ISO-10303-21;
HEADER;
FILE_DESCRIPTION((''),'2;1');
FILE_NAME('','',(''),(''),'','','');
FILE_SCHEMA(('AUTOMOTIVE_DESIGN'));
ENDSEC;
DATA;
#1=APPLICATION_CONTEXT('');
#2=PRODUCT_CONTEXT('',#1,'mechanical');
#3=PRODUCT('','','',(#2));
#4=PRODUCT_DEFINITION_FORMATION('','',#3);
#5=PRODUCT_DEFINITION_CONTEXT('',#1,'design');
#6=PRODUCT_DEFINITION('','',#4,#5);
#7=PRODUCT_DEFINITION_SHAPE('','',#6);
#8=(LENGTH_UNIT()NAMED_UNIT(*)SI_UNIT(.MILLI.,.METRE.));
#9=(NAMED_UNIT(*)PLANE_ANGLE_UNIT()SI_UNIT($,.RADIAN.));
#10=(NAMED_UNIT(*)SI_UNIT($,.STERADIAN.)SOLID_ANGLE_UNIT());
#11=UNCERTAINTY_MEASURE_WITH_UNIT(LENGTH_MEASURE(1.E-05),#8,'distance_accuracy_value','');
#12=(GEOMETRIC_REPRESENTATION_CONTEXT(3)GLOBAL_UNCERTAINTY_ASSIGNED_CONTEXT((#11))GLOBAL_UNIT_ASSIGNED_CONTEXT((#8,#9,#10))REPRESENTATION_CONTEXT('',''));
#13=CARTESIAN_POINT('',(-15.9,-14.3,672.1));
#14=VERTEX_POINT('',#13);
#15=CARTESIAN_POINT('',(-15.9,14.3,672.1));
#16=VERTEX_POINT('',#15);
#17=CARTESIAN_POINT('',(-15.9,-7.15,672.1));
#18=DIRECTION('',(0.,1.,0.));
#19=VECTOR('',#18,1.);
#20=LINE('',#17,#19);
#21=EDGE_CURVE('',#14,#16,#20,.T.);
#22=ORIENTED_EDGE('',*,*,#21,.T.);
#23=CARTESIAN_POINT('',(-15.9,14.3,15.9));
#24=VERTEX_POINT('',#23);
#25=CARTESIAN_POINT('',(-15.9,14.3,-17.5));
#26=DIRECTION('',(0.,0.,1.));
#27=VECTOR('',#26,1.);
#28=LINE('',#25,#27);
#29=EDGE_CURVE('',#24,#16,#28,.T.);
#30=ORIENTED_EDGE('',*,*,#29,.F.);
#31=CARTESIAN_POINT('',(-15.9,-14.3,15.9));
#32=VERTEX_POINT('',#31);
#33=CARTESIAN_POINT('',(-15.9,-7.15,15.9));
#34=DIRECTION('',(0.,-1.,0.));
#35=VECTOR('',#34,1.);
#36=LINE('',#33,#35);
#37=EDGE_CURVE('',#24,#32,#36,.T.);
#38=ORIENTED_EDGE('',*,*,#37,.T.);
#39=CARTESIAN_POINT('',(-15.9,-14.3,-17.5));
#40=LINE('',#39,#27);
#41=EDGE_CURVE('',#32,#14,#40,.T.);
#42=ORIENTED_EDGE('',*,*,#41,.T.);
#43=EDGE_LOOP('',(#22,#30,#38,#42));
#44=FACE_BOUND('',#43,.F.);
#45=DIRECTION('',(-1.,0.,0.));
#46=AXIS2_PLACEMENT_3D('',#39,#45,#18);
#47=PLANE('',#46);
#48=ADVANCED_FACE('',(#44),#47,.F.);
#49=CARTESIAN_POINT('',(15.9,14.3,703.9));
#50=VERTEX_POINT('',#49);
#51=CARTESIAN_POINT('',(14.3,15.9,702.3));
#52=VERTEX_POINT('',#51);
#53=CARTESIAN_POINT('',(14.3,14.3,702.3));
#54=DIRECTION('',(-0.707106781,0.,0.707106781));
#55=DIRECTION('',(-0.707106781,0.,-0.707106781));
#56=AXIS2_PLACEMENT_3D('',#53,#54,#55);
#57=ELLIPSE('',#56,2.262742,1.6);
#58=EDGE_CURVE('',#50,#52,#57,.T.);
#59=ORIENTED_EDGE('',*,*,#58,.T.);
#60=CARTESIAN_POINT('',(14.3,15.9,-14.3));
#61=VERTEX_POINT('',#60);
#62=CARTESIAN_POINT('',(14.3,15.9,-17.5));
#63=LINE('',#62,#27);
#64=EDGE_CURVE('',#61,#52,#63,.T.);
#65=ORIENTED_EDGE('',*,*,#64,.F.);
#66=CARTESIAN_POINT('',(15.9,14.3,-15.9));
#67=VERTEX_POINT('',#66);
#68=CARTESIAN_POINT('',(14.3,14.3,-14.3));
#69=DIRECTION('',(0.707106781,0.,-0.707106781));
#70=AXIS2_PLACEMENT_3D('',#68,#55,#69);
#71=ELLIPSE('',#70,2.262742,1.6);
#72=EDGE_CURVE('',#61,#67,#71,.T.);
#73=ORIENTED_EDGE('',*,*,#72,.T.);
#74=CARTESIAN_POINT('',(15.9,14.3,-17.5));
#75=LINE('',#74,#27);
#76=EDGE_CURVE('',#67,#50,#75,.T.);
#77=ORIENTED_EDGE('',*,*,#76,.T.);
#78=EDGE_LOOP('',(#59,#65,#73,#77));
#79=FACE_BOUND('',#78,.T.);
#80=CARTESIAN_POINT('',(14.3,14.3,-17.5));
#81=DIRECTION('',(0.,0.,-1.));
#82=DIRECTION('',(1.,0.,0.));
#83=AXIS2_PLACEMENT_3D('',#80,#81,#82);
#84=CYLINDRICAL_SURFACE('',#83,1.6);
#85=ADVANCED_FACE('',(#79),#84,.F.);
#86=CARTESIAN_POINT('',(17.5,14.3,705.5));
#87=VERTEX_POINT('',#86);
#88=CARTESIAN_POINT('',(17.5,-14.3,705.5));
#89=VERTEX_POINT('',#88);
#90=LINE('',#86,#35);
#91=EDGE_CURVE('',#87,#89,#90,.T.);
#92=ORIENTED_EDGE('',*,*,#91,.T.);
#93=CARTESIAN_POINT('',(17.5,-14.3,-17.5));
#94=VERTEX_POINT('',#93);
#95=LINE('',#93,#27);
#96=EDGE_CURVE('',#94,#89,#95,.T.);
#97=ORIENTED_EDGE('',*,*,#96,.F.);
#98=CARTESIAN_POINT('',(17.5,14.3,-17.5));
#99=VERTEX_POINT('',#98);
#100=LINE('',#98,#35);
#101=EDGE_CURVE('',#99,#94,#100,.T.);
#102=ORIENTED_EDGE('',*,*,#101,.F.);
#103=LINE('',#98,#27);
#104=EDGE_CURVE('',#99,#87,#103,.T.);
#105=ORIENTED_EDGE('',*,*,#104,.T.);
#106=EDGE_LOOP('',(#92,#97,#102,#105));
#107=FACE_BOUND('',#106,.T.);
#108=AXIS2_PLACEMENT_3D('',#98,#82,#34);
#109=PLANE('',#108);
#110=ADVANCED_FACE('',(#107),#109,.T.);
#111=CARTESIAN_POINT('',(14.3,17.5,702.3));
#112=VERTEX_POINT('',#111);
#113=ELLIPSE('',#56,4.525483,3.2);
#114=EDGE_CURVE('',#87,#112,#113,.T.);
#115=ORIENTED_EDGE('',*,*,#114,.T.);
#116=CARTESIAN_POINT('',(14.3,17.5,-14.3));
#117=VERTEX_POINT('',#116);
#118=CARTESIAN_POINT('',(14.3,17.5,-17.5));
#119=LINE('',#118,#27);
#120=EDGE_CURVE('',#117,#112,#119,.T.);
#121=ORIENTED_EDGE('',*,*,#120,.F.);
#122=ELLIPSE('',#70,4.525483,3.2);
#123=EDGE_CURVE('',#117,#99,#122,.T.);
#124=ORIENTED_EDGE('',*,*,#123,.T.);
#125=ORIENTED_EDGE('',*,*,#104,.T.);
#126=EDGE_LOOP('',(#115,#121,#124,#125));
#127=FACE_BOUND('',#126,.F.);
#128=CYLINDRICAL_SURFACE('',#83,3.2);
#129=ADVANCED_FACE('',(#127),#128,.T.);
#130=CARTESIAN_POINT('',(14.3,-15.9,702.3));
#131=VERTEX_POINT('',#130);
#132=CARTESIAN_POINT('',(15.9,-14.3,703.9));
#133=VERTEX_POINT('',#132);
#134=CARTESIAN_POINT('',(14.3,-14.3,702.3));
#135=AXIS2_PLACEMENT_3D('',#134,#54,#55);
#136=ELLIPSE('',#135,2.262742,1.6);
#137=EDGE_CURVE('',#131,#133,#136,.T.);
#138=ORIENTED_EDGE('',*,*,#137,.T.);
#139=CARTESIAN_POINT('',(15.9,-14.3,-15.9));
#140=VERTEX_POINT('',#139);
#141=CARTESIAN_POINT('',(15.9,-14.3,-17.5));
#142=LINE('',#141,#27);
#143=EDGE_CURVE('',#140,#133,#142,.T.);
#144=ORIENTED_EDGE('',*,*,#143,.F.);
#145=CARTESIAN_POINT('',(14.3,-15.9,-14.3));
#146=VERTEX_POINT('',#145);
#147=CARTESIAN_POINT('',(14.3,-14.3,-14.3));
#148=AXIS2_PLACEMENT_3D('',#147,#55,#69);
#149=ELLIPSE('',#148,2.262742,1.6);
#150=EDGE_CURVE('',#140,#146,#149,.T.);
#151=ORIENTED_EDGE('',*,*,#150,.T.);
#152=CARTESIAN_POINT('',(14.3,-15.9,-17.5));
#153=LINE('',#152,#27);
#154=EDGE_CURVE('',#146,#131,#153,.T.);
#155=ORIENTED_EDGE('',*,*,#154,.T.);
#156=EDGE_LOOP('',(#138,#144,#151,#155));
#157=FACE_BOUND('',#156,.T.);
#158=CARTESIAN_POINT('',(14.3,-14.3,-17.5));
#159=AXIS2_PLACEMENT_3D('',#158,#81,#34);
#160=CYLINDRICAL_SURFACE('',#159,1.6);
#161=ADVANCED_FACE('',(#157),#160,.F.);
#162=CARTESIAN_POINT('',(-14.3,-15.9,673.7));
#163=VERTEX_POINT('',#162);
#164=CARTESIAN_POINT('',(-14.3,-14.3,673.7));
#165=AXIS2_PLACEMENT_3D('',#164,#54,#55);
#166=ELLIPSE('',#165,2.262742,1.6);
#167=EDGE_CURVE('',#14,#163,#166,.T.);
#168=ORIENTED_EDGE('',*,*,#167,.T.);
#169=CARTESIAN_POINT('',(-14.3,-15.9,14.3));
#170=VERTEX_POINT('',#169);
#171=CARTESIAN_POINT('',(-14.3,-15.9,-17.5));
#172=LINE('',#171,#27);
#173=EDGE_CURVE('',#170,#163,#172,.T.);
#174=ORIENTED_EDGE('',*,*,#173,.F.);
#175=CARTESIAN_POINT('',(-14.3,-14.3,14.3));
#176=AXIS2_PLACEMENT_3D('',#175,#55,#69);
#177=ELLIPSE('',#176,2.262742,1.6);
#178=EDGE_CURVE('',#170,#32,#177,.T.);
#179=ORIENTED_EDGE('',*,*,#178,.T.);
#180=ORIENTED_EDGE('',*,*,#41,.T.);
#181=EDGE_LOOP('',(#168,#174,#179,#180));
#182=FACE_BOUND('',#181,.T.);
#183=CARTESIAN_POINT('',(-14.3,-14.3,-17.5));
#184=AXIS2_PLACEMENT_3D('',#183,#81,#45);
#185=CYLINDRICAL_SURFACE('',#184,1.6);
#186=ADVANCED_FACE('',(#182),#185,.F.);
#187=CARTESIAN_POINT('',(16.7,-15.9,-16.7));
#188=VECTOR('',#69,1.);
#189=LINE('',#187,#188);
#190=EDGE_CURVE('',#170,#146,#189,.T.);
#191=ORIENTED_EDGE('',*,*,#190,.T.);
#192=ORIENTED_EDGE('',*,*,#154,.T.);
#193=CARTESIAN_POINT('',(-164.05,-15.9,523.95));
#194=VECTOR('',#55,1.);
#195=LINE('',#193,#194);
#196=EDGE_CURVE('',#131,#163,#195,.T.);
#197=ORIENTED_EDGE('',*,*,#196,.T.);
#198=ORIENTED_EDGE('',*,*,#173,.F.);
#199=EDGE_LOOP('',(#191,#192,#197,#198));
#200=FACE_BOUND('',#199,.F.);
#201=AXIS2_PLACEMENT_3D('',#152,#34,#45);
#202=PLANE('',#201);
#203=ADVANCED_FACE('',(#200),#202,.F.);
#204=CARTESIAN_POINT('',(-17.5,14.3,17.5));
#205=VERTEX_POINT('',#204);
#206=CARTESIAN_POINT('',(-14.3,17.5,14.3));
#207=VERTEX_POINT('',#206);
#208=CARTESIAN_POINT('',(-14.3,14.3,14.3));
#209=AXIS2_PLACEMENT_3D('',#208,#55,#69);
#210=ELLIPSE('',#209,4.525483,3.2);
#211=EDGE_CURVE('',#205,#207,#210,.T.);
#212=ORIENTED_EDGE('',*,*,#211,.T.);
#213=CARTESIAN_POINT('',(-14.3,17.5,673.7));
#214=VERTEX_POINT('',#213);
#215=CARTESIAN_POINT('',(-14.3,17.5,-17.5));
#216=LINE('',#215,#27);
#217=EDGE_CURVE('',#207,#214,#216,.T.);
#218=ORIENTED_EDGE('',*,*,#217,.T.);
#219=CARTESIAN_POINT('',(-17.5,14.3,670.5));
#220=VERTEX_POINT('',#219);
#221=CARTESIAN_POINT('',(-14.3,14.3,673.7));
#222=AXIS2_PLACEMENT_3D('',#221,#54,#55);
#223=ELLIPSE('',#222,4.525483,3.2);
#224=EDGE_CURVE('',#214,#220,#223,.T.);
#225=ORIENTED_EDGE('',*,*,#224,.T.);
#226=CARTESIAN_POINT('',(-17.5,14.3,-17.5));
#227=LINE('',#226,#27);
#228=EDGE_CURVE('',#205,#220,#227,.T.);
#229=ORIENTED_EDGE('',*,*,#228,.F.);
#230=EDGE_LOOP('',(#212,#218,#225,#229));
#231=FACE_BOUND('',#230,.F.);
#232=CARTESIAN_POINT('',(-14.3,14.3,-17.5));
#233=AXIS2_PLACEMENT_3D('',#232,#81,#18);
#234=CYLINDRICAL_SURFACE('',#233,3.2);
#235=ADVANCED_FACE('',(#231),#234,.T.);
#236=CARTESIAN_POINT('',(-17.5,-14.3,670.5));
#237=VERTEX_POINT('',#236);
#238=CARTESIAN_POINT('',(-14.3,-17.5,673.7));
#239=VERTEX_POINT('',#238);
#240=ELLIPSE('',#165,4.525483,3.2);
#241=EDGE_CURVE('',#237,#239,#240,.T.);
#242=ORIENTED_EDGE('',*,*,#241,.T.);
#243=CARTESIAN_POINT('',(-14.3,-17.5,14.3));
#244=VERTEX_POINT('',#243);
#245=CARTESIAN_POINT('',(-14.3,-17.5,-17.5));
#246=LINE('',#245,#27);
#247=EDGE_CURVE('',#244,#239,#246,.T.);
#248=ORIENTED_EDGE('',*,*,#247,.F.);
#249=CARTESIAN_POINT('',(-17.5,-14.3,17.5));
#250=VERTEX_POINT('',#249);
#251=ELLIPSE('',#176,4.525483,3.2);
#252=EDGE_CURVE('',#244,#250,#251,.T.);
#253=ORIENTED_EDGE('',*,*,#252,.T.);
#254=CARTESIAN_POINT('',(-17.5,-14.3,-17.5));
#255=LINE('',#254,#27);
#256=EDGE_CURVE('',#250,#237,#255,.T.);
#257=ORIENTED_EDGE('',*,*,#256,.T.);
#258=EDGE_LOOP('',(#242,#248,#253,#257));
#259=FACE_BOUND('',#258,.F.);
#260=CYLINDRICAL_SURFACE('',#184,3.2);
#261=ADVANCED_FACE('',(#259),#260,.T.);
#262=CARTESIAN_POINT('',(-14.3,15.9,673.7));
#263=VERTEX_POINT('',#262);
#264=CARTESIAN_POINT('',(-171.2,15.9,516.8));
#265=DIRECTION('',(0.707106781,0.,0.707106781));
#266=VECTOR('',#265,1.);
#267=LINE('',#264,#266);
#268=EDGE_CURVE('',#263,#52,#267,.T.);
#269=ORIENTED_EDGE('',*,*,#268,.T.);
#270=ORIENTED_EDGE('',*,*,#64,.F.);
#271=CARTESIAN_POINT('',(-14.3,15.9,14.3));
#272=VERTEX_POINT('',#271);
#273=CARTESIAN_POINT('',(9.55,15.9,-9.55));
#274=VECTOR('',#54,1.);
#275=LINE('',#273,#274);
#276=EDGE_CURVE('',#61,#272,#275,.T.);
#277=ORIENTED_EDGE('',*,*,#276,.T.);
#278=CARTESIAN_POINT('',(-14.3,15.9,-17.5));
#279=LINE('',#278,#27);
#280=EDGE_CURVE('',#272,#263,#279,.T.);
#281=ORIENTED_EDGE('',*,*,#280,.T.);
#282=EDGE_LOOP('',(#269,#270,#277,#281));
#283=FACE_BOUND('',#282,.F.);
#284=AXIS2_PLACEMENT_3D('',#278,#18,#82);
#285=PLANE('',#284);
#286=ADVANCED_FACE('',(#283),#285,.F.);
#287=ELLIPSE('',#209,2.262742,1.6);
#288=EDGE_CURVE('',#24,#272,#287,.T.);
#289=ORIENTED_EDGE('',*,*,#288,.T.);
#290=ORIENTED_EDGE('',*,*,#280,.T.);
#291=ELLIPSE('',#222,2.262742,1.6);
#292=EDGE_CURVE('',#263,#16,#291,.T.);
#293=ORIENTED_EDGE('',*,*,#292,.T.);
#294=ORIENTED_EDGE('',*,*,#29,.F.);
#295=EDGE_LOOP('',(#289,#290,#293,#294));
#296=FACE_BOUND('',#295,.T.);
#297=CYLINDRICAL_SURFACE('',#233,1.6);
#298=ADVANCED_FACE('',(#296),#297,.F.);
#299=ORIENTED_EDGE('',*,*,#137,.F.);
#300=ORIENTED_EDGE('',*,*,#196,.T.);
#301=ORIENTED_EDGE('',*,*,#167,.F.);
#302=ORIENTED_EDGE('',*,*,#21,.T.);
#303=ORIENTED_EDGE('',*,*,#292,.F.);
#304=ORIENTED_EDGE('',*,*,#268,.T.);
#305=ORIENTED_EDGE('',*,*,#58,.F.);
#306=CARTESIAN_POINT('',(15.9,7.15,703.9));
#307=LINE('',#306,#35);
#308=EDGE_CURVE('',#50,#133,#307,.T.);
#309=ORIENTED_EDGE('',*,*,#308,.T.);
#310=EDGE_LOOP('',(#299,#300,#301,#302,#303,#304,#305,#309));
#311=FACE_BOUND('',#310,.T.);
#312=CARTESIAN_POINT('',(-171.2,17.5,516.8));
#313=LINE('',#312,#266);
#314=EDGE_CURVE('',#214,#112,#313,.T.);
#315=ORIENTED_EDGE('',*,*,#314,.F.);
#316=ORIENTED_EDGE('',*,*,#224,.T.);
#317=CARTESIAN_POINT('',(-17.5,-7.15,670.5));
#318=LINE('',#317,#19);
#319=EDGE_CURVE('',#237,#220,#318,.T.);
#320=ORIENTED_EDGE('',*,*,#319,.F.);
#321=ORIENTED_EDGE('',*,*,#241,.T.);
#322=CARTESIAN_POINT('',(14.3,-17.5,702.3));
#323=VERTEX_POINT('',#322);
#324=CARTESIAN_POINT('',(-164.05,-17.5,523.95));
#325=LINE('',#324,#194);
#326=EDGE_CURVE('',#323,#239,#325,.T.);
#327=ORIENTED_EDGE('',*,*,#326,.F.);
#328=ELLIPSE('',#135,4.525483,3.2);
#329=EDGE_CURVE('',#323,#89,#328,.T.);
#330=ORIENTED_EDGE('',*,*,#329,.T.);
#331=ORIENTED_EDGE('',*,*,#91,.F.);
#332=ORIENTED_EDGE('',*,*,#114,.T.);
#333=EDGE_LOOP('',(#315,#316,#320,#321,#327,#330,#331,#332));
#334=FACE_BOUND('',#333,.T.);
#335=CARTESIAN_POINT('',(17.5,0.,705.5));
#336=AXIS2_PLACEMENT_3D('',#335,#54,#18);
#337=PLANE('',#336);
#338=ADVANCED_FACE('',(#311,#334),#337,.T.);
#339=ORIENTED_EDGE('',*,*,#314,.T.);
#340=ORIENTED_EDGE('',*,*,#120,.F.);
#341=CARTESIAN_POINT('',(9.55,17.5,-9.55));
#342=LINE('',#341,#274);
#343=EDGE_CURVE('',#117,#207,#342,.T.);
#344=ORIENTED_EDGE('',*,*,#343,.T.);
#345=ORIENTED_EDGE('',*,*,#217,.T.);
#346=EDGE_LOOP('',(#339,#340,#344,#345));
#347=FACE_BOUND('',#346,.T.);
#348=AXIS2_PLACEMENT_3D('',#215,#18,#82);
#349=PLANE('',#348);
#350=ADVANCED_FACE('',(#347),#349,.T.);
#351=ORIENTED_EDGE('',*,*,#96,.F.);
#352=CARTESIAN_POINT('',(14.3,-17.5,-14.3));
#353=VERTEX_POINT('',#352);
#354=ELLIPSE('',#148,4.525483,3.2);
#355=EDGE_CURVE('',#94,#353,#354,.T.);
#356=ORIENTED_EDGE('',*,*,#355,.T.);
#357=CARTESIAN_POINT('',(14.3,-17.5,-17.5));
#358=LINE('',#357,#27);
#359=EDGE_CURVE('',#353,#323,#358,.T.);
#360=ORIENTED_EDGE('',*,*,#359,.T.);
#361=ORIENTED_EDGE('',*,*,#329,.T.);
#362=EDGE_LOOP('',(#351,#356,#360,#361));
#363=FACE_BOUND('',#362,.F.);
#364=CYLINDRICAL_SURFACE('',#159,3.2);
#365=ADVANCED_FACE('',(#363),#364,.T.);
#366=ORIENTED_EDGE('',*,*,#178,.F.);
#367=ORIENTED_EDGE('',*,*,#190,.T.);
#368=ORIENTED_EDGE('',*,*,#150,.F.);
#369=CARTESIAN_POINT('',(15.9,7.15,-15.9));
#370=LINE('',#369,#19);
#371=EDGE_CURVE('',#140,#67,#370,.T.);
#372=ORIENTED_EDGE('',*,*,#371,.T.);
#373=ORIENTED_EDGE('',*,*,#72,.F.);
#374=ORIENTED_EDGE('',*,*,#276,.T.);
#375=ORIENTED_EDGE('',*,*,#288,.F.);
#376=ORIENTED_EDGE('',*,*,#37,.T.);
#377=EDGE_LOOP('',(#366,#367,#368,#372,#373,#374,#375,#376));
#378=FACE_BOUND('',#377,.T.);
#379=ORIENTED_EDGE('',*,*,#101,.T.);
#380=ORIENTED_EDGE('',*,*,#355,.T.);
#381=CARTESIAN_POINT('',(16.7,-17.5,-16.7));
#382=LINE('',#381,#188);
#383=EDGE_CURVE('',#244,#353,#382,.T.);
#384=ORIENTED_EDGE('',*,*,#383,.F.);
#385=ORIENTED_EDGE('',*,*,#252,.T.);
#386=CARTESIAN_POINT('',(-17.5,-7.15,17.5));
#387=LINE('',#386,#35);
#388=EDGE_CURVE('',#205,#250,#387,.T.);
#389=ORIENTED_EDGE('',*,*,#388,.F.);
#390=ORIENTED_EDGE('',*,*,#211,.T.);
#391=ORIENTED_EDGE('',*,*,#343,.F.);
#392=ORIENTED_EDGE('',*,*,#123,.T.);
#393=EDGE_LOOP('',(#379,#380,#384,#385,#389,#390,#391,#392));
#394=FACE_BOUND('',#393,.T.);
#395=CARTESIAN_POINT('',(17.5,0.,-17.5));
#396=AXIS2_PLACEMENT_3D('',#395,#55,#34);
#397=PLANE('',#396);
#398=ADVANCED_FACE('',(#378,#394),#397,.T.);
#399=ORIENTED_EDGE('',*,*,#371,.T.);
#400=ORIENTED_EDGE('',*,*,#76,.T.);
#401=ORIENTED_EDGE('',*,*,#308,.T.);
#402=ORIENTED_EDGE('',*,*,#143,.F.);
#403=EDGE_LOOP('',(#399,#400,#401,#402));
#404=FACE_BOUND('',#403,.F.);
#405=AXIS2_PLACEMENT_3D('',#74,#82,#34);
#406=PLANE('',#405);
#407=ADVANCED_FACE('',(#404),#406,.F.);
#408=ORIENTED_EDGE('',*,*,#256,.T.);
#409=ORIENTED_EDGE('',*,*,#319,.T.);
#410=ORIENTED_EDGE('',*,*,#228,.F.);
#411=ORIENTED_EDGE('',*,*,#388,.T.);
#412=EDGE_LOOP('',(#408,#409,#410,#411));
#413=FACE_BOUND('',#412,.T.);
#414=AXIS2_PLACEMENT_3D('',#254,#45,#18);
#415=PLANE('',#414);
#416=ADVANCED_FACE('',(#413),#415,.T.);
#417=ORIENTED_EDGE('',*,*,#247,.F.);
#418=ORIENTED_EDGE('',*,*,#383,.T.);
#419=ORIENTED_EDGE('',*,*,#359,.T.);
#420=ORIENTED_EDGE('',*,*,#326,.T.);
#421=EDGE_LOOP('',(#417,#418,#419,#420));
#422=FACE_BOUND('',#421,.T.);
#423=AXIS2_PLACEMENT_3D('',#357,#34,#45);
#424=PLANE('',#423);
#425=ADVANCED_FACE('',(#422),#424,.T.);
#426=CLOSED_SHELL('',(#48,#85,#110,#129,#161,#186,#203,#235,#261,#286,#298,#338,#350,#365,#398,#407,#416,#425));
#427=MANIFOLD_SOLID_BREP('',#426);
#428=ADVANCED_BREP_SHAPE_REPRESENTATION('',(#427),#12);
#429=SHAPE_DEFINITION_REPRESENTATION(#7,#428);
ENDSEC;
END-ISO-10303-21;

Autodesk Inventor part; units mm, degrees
ref_plane "Start plane" through (0, 0, -17.5) normal (0, 0, 1) x (1, 0, 0)
ref_plane "End plane" through (0, 0, 705.5) normal (0, 0, 1) x (1, 0, 0)
sketch "Sketch" plane through (0, 0, 0) normal (0, 0, 1) x (1, 0, 0)
  line L0 (-17.5, -14.3) -> (-17.5, 14.3)
  line L1 (-14.3, 17.5) -> (14.3, 17.5)
  line L2 (17.5, 14.3) -> (17.5, -14.3)
  line L3 (14.3, -17.5) -> (-14.3, -17.5)
  arc A0 (-17.5, -14.3) -> (-14.3, -17.5) centre (-14.3, -14.3) ccw
  arc A1 (-14.3, 17.5) -> (-17.5, 14.3) centre (-14.3, 14.3) ccw
  arc A2 (17.5, 14.3) -> (14.3, 17.5) centre (14.3, 14.3) ccw
  arc A3 (14.3, -17.5) -> (17.5, -14.3) centre (14.3, -14.3) ccw
  arc A4 (-14.3, 15.9) -> (-15.9, 14.3) centre (-14.3, 14.3) ccw
  line L4 (-14.3, 15.9) -> (14.3, 15.9)
  arc A5 (15.9, 14.3) -> (14.3, 15.9) centre (14.3, 14.3) ccw
  line L5 (15.9, 14.3) -> (15.9, -14.3)
  arc A6 (14.3, -15.9) -> (15.9, -14.3) centre (14.3, -14.3) ccw
  line L6 (14.3, -15.9) -> (-14.3, -15.9)
  arc A7 (-15.9, -14.3) -> (-14.3, -15.9) centre (-14.3, -14.3) ccw
  line L7 (-15.9, -14.3) -> (-15.9, 14.3)
  line L8 (0, 25.4278) -> (0, -25.4278) construction
  line L9 (-25.4278, 0) -> (25.4278, 0) construction
  dimension "d7" = 3.2
  dimension "d10" = 35
  dimension "d11" = 35
  dimension "d12" = 1.6
  dimension "d15" = 17.5
  dimension "d16" = 17.5
extrude "Body" add sketch "Sketch" along normal up to surface (723 mm away) from surface at -17.5
sketch "Sketch3" plane through (0, 0, 0) normal (0, 0, 1) x (1, 0, 0)
  line L0 (0, 0) -> (10, 0)
ref_plane "Work Plane3" through (0, 0, 0) normal (0, -1, 0) x (1, 0, 0)
sketch "Sketch4" plane through (0, 0, 0) normal (0, -1, 0) x (1, 0, 0)
  line L0 (-2, -17.5) -> (12, -17.5)
  line L1 (-2, 705.5) -> (12, 705.5)
  dimension "d18" = 723
ref_plane "Work Plane20" through (-20.2643, 0, 0.3072) normal (-0.871, 0, -0.4912) x (-0.4912, 0, 0.871)
split "Split5" plane through (-20.2643, 0, 0.3072) removes the side toward (-0.871, 0, -0.4912)
ref_plane "Work Plane21" through (-20.2643, 0, 687.6928) normal (-0.871, 0, 0.4912) x (0.4912, 0, 0.871)
split "Split6" plane through (-20.2643, 0, 687.6928) removes the side toward (-0.871, 0, 0.4912)
ref_plane "Work Plane22" through (17.5, 0, 705.5) normal (-0.7071, 0, 0.7071) x (0.7071, 0, 0.7071)
split "Split7" plane through (17.5, 0, 705.5) removes the side toward (-0.7071, 0, 0.7071)
ref_plane "Work Plane23" through (17.5, 0, -17.5) normal (-0.7071, 0, -0.7071) x (-0.7071, 0, 0.7071)
split "Split8" plane through (17.5, 0, -17.5) removes the side toward (-0.7071, 0, -0.7071)
equation "\"d7\" = G_IR"
equation "\"d10\" = G_H"
equation "\"d11\" = G_W"
equation "\"d12\" = G_T"
equation "\"d15\" = 0.5 * d10"
equation "\"d16\" = 0.5 * d11"
equation "\"d3\" = G_L"
equation "\"G_W\" = 35"
equation "\"G_H\" = 35"
equation "\"G_T\" = 1.6"
equation "\"G_IR\" = 3.2"
equation "\"G_L\" = d18"
equation "\"G_OFFSET_START\" = 17.5"
equation "\"G_OFFSET_END\" = 17.5"
equation "\"d13\" = -G_OFFSET_START"
equation "\"d14\" = G_OFFSET_END + B_L"
equation "\"B_L\" = 688"
properties part number "AS 1163 - C350L0 35x35x1.6 SHS - 723" material "Steel, Mild"
